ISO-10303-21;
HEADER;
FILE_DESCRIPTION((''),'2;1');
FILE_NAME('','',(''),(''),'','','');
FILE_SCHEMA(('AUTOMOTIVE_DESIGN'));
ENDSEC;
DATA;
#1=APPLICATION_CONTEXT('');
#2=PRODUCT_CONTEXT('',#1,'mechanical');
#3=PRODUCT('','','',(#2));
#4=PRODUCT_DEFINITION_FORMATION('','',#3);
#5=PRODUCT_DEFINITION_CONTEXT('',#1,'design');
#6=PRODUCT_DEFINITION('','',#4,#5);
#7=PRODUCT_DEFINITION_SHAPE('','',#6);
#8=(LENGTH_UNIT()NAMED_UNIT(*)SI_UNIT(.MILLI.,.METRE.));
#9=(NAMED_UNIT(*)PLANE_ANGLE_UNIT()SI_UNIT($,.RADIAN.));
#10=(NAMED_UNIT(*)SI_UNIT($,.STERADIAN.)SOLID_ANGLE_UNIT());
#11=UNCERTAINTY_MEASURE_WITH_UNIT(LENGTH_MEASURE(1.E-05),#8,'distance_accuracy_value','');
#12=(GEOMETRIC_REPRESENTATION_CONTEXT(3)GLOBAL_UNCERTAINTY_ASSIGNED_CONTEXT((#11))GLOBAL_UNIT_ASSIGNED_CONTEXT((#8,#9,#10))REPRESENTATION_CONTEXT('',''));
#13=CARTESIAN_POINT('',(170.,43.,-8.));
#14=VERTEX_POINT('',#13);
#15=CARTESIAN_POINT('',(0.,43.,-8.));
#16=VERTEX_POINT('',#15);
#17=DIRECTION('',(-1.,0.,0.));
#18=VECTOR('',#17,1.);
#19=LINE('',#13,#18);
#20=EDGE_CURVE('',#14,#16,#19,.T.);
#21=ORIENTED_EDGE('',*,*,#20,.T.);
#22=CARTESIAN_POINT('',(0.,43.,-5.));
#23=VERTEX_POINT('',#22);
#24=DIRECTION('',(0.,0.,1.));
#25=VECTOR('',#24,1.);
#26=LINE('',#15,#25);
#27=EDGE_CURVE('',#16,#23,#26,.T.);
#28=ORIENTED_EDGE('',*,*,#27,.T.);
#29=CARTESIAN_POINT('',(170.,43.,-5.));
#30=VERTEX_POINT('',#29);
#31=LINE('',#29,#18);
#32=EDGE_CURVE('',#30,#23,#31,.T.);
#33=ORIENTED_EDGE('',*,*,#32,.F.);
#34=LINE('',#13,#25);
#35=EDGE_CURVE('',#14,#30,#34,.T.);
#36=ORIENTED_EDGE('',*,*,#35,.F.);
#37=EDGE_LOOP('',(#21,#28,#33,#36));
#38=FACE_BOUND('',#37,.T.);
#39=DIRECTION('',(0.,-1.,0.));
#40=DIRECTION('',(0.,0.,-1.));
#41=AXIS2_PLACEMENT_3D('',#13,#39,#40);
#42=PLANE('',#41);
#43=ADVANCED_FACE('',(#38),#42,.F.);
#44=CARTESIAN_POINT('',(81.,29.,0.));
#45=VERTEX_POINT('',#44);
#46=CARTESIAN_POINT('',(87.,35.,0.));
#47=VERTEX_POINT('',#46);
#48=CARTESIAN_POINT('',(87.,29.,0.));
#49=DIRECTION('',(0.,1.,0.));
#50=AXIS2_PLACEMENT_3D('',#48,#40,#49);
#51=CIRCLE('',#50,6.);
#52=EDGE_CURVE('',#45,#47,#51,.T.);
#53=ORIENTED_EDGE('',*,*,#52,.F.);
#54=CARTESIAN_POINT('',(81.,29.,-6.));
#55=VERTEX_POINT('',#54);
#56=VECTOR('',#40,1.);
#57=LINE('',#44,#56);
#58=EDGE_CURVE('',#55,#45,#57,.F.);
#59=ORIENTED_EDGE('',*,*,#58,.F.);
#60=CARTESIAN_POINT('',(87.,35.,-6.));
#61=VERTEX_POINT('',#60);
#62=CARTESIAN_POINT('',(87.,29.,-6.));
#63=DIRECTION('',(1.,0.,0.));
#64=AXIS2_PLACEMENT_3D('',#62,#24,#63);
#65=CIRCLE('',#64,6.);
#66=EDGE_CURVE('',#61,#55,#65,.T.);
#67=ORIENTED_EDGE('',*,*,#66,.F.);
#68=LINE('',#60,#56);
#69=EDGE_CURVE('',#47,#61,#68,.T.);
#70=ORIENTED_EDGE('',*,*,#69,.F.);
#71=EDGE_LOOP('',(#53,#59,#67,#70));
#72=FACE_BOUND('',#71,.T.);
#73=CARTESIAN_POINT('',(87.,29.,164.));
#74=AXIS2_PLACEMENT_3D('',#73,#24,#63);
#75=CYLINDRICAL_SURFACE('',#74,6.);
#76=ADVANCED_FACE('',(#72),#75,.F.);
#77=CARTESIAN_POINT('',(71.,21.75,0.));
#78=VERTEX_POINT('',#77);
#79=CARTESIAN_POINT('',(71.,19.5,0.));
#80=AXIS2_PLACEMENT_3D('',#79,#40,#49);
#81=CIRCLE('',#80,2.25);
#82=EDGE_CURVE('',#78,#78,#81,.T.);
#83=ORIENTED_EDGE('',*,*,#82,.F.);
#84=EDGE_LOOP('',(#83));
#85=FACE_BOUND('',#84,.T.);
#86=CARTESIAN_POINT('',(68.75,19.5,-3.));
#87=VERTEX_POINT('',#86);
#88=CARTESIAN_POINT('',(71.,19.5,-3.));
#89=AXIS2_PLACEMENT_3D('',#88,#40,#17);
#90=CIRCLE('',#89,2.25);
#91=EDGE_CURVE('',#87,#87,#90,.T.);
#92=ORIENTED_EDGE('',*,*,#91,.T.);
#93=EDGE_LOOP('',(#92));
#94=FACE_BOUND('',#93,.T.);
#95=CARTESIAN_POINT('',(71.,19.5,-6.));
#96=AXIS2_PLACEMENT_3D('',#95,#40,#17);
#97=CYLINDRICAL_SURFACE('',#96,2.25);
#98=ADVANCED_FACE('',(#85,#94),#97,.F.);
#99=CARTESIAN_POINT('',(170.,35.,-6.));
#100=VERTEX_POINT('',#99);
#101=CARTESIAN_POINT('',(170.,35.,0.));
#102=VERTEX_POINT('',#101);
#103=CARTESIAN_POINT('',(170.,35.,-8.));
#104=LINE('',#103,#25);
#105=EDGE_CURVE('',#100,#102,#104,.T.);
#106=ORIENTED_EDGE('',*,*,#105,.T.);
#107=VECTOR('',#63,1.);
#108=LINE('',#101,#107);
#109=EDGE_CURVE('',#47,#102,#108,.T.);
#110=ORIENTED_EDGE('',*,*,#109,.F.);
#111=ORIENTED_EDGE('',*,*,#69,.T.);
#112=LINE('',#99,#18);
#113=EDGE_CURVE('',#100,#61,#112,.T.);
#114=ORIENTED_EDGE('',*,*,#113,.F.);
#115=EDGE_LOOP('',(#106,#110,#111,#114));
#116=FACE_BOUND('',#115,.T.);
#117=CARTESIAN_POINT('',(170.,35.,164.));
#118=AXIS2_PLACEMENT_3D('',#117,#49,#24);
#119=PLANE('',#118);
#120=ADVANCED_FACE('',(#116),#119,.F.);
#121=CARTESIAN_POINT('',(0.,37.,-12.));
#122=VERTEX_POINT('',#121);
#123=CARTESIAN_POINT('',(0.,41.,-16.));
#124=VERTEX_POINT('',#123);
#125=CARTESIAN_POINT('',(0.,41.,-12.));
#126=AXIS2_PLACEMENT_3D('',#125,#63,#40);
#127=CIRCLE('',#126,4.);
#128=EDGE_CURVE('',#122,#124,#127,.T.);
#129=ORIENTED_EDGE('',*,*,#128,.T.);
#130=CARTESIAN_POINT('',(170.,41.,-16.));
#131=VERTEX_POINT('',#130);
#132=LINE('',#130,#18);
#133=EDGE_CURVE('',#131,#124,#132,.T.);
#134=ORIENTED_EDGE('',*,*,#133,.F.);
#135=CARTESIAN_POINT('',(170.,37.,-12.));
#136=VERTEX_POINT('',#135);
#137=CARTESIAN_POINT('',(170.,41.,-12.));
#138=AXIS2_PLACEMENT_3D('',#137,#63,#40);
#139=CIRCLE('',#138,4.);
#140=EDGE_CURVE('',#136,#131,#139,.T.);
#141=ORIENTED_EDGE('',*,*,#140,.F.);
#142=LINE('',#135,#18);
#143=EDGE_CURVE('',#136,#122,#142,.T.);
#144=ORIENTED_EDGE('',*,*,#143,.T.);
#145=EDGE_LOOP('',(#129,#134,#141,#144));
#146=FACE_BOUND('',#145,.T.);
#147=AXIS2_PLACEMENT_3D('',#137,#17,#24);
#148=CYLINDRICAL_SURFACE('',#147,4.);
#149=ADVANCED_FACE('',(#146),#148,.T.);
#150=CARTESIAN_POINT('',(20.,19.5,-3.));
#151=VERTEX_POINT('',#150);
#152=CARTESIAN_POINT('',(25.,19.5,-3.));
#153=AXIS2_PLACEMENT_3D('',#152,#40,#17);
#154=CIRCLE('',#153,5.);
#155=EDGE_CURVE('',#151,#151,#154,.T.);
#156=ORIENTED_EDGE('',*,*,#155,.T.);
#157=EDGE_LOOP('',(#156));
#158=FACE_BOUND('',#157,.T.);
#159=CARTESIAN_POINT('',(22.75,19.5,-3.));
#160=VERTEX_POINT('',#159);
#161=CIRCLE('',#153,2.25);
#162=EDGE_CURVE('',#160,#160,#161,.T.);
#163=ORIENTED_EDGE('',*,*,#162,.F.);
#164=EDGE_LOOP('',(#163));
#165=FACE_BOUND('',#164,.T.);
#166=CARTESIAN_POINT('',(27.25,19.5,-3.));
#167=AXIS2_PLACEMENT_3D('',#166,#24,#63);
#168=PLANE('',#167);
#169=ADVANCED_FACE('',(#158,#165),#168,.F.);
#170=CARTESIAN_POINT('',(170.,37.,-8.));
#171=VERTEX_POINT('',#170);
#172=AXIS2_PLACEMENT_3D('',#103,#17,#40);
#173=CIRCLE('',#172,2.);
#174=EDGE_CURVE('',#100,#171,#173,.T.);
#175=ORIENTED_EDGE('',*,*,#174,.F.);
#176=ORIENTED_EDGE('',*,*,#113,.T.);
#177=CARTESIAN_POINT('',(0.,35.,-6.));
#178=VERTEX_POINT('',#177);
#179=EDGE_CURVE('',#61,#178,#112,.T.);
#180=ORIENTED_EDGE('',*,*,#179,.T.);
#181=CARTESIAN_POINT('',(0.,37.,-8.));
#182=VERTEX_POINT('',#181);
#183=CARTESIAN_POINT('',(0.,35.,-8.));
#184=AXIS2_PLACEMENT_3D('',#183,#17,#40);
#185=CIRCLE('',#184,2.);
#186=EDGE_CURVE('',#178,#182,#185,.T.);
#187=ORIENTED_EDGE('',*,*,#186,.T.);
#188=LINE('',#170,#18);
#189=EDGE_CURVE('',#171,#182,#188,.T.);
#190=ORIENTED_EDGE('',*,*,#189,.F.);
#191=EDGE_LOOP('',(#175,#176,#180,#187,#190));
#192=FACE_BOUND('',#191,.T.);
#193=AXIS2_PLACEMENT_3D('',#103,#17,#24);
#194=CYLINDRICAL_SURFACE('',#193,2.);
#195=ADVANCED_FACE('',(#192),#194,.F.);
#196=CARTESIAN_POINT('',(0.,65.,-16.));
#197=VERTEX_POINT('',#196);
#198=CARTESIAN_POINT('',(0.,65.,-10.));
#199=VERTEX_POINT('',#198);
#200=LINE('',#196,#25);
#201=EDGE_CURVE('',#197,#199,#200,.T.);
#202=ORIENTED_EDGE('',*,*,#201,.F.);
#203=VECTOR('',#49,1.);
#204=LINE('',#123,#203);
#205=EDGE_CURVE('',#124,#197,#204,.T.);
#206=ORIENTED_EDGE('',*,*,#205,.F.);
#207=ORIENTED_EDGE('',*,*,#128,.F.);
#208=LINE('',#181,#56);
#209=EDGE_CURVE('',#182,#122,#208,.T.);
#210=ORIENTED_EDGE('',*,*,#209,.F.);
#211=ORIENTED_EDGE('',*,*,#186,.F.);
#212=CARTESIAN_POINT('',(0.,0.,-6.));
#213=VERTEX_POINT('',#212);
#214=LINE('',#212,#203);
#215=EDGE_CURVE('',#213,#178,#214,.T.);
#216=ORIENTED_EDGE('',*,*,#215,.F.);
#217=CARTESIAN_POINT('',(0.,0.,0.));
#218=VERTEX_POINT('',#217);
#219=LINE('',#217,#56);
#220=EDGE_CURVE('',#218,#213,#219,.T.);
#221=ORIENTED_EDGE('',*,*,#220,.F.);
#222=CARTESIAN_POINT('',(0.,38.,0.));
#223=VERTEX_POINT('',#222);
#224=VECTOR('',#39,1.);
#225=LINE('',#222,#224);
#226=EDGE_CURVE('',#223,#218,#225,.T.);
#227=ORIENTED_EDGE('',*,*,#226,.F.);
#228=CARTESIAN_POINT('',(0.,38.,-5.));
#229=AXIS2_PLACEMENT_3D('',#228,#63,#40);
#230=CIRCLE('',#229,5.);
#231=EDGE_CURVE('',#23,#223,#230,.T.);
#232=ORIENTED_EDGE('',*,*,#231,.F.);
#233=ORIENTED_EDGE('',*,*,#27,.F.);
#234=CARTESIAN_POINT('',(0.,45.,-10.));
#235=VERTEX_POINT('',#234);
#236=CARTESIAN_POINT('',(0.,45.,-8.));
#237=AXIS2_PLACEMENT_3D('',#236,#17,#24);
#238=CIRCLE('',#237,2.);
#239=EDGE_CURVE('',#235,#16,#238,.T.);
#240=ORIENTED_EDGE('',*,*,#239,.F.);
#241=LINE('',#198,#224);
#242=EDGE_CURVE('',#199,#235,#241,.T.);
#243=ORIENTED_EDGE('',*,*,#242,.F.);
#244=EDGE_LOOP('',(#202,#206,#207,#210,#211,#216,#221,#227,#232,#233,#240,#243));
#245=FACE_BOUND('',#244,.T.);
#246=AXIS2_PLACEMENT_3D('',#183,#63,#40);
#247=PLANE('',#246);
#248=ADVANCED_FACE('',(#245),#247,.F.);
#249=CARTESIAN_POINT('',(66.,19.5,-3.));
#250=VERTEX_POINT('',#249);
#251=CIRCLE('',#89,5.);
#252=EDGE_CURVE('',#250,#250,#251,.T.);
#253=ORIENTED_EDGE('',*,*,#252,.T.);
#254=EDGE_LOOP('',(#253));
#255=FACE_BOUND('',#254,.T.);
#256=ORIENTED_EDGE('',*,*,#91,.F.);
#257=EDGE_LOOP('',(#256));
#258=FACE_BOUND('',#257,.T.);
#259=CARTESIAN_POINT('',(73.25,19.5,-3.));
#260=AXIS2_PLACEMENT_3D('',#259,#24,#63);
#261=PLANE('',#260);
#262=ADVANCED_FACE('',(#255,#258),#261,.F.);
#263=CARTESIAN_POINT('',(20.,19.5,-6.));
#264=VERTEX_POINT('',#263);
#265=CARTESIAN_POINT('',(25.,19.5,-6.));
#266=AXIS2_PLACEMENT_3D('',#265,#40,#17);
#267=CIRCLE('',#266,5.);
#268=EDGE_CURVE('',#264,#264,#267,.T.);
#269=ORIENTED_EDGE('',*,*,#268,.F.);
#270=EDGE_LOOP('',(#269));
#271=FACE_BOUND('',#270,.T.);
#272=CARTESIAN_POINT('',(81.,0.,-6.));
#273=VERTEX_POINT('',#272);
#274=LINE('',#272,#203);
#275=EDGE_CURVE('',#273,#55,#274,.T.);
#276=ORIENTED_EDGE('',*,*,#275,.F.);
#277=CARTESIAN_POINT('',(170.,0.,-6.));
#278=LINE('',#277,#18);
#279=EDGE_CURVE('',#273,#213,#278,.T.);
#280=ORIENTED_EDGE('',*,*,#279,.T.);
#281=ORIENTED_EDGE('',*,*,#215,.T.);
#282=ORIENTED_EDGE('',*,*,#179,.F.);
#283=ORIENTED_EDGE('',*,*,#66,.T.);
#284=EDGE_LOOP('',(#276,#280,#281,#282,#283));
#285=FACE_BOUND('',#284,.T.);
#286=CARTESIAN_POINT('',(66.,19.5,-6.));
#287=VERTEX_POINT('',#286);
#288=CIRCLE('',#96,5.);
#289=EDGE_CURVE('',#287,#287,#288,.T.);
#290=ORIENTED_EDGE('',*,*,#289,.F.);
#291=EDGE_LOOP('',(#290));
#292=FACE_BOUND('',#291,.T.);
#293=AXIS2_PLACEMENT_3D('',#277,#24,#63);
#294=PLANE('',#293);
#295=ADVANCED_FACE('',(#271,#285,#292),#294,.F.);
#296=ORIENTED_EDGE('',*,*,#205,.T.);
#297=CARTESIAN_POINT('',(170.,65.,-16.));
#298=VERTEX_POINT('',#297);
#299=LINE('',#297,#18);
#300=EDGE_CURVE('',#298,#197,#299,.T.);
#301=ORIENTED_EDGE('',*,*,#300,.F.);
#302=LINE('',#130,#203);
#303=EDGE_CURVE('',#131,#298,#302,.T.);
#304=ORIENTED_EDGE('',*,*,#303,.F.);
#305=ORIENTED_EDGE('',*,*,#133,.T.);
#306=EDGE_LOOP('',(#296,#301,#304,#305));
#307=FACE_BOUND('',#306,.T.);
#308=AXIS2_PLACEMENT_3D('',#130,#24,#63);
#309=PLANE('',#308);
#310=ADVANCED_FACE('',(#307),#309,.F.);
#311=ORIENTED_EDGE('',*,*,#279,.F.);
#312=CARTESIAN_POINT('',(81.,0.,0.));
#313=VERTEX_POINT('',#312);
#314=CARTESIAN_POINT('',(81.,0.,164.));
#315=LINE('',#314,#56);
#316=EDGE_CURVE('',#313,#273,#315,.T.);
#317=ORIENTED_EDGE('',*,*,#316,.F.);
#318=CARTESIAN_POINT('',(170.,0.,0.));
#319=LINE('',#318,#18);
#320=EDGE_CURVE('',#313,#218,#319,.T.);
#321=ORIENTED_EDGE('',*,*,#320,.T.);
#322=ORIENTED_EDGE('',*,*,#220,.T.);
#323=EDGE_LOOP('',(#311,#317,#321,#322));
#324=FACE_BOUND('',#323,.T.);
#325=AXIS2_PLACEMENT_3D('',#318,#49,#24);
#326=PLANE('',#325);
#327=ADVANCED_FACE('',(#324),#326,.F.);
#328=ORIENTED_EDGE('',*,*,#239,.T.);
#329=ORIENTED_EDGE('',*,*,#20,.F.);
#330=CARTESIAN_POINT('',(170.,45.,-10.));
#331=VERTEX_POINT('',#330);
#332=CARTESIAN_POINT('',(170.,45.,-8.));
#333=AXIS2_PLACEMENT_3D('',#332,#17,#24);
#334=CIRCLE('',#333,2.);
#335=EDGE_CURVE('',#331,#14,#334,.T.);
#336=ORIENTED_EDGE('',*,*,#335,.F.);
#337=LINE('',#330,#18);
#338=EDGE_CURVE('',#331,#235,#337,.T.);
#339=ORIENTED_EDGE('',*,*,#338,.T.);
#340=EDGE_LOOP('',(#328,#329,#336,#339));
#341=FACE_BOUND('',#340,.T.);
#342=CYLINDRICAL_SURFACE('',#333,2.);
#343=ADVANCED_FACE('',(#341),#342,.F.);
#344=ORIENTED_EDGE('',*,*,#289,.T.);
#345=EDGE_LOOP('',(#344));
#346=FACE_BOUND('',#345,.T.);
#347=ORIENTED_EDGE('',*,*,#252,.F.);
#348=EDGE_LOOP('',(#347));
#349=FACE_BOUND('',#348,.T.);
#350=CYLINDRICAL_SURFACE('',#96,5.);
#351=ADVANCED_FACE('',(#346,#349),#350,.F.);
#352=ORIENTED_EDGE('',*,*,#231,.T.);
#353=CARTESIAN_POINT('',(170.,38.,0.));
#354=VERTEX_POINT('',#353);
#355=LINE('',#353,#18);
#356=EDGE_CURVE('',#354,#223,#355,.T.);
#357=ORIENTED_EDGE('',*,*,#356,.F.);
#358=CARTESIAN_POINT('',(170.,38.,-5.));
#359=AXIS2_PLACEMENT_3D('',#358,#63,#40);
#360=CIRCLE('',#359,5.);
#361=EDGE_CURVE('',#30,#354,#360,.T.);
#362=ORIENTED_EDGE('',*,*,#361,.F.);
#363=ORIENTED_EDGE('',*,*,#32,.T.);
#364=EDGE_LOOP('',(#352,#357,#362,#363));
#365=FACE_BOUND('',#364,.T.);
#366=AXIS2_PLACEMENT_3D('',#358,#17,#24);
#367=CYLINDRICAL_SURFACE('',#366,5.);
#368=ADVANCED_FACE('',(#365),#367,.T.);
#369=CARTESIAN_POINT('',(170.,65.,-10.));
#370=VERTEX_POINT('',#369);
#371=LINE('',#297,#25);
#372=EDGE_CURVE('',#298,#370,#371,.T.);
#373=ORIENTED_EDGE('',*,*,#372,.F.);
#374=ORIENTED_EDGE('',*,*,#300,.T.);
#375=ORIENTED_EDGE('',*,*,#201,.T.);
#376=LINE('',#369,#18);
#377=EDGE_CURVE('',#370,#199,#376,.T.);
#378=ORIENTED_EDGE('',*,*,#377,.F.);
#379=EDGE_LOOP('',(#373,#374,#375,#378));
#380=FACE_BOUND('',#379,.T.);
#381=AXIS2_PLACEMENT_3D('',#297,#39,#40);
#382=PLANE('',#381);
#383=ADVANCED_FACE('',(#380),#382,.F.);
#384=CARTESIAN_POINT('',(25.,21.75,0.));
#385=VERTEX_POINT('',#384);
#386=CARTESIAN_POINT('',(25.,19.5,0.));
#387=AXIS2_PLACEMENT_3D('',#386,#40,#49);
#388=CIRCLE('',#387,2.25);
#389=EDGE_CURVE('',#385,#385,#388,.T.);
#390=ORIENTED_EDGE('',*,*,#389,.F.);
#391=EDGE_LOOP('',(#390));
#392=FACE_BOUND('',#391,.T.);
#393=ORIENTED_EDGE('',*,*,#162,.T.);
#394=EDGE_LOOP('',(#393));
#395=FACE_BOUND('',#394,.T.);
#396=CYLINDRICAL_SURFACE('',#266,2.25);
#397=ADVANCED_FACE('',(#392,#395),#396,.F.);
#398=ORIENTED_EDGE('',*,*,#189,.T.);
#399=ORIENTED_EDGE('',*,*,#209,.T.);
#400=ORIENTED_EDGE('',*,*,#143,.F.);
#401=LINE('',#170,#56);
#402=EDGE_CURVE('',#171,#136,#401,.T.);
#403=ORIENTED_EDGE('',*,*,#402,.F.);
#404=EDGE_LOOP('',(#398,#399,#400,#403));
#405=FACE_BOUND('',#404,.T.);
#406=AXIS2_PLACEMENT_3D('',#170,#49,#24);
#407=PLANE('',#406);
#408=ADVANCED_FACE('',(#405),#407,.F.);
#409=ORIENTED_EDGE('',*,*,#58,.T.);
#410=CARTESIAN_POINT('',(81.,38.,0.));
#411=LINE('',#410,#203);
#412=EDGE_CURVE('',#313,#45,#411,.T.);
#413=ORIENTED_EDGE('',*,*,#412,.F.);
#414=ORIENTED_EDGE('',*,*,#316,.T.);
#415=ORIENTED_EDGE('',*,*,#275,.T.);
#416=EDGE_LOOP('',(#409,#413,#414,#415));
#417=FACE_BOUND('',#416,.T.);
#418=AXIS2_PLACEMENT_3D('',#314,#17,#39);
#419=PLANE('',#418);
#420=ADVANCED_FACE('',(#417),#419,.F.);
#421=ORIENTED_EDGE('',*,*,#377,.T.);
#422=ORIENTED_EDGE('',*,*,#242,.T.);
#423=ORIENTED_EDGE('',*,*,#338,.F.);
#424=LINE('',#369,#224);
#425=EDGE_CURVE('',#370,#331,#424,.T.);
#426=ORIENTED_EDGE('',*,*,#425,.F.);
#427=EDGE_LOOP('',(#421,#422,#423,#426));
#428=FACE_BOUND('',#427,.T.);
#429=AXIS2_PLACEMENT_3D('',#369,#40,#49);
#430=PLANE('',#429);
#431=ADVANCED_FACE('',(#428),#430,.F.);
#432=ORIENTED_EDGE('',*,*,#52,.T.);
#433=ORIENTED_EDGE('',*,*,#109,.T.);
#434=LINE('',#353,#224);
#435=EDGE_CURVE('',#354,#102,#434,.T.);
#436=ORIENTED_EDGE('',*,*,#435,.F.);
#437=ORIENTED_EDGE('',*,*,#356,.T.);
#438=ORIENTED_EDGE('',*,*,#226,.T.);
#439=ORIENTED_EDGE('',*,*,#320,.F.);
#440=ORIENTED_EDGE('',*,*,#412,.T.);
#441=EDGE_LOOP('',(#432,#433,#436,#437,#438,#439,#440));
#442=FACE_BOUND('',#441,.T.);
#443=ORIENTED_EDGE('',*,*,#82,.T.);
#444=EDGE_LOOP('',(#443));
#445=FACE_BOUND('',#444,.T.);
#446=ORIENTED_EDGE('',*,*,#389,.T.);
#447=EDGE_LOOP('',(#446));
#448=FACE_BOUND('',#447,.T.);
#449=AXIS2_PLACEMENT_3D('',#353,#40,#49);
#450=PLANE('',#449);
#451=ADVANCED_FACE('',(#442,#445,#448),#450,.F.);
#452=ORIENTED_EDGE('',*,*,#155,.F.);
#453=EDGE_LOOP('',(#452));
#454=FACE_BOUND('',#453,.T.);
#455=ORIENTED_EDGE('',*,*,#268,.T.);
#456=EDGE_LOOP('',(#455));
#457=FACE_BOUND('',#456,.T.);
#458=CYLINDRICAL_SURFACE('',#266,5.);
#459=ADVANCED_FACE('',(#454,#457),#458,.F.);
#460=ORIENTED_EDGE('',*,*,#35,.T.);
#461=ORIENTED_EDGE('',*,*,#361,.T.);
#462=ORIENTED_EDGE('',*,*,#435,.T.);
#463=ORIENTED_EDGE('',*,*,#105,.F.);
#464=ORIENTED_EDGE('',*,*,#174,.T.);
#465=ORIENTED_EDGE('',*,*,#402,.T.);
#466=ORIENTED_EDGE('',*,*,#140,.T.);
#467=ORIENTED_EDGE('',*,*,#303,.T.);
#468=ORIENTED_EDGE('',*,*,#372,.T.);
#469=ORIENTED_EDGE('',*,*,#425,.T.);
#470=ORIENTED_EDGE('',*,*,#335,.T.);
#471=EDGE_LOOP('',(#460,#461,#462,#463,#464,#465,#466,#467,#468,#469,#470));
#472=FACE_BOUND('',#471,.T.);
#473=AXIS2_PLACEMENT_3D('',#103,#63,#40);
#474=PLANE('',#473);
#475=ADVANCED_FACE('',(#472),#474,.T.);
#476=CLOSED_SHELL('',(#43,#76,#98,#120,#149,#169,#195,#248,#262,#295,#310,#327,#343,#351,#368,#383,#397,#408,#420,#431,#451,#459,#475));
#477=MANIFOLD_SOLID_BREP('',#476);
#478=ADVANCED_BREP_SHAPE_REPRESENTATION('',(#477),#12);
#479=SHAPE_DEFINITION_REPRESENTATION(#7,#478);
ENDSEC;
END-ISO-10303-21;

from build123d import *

# Parameters (mm, degrees)
ESTRUSIONE_ESTRUSIONE1_DEPTH                         = 170
FORO_LAMATO_PER_BULLONE_M5_A_TESTA_ESAGO_D           = 4.5
FORO_LAMATO_PER_BULLONE_M5_A_TESTA_ESAGO_DEPTH       = 30
FORO_LAMATO_PER_BULLONE_M5_A_TESTA_ESAGO_CBORE_D     = 10
FORO_LAMATO_PER_BULLONE_M5_A_TESTA_ESAGO_CBORE_DEPTH = 3
FORO_LAMATO_PER_BULLONE_M5_A_TESTA_ESAGO_TIP         = 1.351936393
SCHIZZO4_W                                           = 89
SCHIZZO4_H                                           = 35
TAGLIO_ESTRUSIONE1_DEPTH                             = 170
RACCORDO1_R                                          = 6


with BuildPart() as part:
    # Schizzo1 → Estrusione-Estrusione1 (new body)
    with BuildSketch(Plane(origin=(0, 0, 0), x_dir=(0, 0, -1), z_dir=(1, 0, 0))):
        with BuildLine():
            Line((0, 0), (6, 0))
            Line((6, 0), (6, 35))
            ThreePointArc((6, 35), (6.585786438, 36.414213562), (8, 37))
            Line((8, 37), (12, 37))
            ThreePointArc((12, 37), (14.828427125, 38.171572875), (16, 41))
            Line((16, 41), (16, 65))
            Line((16, 65), (10, 65))
            Line((10, 65), (10, 45))
            ThreePointArc((10, 45), (9.414213562, 43.585786438), (8, 43))
            Line((8, 43), (5, 43))
            ThreePointArc((5, 43), (1.464466094, 41.535533906), (0, 38))
            Line((0, 38), (0, 0))
        make_face()
    extrude(amount=ESTRUSIONE_ESTRUSIONE1_DEPTH)

    # Foro lamato per Bullone M5 a testa esagonale-1
    with Locations(Plane(origin=(0, 0, -6), x_dir=(-1, 0, 0), z_dir=(0, 0, -1))):
        with Locations((-25, 19.5), (-71, 19.5)):
            CounterBoreHole(FORO_LAMATO_PER_BULLONE_M5_A_TESTA_ESAGO_D / 2, FORO_LAMATO_PER_BULLONE_M5_A_TESTA_ESAGO_CBORE_D / 2, FORO_LAMATO_PER_BULLONE_M5_A_TESTA_ESAGO_CBORE_DEPTH, depth=FORO_LAMATO_PER_BULLONE_M5_A_TESTA_ESAGO_DEPTH)
            with Locations((0, 0, -(FORO_LAMATO_PER_BULLONE_M5_A_TESTA_ESAGO_DEPTH + FORO_LAMATO_PER_BULLONE_M5_A_TESTA_ESAGO_TIP / 2))):  # 118° drill point
                Cone(0, FORO_LAMATO_PER_BULLONE_M5_A_TESTA_ESAGO_D / 2, FORO_LAMATO_PER_BULLONE_M5_A_TESTA_ESAGO_TIP, mode=Mode.SUBTRACT)

    # Schizzo4 → Taglio-Estrusione1 (cut)
    with BuildSketch(Plane(origin=(0, 0, -6), x_dir=(-1, 0, 0), z_dir=(0, 0, -1))):
        with Locations((-125.5, 17.5)):
            Rectangle(SCHIZZO4_W, SCHIZZO4_H)
    extrude(amount=-TAGLIO_ESTRUSIONE1_DEPTH, mode=Mode.SUBTRACT)

    # Raccordo1
    raccordo1_edges = [part.edges().sort_by_distance(p)[0] for p in [
        (81, 35, -3),
    ]]
    fillet(raccordo1_edges, radius=RACCORDO1_R)


solid = part.part
